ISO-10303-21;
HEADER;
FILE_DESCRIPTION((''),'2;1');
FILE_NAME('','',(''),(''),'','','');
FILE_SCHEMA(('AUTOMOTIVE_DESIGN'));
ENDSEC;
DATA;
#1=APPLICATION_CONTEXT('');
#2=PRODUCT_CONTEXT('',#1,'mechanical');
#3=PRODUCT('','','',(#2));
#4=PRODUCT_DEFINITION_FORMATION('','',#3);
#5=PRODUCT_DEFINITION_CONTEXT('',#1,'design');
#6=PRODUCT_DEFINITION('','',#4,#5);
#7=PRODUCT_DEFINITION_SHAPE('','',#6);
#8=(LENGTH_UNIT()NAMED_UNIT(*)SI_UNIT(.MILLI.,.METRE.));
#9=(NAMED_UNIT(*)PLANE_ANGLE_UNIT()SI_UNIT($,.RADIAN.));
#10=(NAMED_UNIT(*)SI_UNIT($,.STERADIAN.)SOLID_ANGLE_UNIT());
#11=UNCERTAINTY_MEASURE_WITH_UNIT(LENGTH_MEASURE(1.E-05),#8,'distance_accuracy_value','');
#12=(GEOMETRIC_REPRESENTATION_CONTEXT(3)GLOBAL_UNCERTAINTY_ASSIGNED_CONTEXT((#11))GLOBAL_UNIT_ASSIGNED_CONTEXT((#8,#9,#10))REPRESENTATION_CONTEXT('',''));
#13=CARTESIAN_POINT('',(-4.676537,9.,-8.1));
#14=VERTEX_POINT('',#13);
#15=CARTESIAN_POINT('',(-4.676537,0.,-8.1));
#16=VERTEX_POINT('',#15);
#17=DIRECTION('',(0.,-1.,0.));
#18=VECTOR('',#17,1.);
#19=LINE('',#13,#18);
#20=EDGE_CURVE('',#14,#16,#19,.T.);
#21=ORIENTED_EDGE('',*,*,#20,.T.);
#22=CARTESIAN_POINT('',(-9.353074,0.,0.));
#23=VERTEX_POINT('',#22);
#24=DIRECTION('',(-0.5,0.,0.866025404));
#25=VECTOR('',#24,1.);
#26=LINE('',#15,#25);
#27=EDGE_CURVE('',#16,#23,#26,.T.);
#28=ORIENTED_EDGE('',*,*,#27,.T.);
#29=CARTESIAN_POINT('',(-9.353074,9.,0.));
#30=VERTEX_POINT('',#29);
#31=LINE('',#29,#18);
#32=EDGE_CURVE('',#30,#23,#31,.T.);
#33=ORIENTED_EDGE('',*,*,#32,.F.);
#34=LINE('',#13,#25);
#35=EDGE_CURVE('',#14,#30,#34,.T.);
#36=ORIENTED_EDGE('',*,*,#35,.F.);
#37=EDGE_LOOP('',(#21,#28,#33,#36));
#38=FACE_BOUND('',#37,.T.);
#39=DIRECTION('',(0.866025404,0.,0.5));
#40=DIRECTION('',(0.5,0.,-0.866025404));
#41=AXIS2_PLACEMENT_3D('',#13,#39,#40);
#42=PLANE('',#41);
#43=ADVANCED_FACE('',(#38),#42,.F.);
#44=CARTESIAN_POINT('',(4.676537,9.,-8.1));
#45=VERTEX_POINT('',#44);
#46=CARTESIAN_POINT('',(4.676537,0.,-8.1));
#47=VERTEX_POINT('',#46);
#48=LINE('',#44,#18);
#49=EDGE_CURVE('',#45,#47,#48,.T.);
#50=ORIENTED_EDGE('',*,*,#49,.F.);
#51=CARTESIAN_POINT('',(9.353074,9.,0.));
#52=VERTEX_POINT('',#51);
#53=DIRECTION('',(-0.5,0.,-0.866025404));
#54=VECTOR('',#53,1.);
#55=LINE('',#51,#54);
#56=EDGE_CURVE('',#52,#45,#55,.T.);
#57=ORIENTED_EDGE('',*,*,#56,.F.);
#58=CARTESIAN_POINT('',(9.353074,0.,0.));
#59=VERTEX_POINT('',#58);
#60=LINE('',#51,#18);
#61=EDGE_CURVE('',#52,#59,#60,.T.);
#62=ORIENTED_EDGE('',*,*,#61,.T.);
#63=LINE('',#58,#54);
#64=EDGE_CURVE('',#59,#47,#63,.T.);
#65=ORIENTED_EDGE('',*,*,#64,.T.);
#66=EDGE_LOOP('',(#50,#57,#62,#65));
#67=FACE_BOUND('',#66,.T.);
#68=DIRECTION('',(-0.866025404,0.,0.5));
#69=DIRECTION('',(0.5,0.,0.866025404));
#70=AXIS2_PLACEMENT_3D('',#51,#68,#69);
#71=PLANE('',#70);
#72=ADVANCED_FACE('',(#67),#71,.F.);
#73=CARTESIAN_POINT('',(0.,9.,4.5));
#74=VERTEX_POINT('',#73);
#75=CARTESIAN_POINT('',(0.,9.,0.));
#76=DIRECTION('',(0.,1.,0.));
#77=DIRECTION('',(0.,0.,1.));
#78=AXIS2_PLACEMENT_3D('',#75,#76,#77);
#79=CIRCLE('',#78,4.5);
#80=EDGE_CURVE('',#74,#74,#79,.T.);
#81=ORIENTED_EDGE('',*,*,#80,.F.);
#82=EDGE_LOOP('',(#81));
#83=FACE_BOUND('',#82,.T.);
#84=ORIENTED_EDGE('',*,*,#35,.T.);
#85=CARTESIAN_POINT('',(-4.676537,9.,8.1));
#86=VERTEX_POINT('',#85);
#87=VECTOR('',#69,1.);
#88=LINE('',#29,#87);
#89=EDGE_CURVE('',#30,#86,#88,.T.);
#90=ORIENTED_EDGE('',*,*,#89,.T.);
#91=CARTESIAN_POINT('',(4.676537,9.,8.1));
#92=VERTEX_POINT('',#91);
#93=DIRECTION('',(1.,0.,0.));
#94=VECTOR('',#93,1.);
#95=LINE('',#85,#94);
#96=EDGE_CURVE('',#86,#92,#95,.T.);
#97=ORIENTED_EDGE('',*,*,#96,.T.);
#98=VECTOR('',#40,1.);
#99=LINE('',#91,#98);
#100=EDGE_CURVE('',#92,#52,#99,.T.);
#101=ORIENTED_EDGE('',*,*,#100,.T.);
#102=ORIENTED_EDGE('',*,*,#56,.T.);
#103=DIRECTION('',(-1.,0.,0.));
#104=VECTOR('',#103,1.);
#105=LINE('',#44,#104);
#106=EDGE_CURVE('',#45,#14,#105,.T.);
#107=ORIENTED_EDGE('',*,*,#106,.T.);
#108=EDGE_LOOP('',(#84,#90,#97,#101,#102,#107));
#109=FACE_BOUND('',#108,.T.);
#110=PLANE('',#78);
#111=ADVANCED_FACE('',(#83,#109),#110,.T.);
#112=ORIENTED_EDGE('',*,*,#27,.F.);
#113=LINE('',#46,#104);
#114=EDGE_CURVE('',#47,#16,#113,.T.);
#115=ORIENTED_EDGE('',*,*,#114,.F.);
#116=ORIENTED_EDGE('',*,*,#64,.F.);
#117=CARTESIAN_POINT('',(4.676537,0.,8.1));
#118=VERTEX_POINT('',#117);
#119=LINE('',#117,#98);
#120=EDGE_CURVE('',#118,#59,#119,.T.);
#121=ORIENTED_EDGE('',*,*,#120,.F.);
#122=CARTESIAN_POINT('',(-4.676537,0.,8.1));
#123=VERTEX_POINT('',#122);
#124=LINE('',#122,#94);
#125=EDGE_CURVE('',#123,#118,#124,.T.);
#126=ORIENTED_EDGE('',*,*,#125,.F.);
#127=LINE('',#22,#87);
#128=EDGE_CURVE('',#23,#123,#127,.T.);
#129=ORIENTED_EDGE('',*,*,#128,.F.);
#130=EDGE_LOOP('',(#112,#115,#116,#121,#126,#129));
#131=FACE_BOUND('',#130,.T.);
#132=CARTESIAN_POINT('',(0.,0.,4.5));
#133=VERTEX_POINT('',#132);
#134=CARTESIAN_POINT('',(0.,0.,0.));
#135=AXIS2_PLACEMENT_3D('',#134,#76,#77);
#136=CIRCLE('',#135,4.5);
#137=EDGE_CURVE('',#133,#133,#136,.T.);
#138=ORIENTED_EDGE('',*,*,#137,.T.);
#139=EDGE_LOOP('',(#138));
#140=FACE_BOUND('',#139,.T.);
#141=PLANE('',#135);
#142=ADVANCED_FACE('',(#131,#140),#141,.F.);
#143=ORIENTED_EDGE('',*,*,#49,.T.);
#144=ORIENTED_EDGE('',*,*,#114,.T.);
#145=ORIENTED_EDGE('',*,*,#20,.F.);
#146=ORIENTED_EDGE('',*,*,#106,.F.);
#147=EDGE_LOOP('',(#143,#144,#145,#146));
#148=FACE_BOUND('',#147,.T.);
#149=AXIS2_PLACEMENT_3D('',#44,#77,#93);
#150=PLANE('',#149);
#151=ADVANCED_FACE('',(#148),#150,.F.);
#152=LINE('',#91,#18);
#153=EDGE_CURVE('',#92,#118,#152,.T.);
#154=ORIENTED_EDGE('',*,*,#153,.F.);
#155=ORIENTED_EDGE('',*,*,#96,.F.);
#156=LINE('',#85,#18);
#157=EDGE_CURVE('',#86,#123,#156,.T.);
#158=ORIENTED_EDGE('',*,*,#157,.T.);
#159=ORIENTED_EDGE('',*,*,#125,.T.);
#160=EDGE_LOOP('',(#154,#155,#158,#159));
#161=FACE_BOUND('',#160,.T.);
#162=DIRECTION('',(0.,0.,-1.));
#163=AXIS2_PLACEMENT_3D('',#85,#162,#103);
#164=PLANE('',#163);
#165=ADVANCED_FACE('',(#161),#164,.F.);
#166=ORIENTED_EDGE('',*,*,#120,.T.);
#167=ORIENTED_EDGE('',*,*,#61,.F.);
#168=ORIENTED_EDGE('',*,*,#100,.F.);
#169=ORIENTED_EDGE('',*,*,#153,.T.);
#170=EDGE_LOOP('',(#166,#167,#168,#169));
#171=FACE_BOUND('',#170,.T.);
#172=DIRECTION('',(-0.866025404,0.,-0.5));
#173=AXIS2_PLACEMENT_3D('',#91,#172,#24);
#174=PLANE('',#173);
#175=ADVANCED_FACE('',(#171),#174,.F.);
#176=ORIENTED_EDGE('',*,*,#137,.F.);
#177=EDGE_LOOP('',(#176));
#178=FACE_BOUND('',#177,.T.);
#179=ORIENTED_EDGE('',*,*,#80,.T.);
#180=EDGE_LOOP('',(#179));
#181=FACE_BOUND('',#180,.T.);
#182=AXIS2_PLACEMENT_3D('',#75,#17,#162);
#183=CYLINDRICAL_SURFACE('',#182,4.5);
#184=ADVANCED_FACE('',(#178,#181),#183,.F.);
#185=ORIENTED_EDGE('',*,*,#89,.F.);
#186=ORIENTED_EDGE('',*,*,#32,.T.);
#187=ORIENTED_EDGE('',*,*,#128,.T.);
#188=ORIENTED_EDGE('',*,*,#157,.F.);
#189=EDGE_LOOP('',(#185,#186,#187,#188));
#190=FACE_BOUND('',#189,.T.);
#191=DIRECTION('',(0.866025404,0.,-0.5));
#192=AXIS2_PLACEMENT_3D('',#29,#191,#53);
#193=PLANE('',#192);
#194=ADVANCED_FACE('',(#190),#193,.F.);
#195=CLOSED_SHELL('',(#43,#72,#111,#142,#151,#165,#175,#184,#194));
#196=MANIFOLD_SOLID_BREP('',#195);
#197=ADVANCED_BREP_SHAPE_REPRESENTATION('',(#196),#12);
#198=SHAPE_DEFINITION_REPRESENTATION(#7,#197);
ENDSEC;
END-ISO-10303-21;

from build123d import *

# Parameters (mm, degrees)
SKETCH2_R           = 4.5
BOSS_EXTRUDE1_DEPTH = 9


with BuildPart() as part:
    # Sketch2 → Boss-Extrude1 (new body)
    with BuildSketch(Plane(origin=(0, 0, 0), x_dir=(1, 0, 0), z_dir=(0, 1, 0))):
        Polygon((4.67653718, 8.1), (-4.67653718, 8.1), (-9.353074361, 0), (-4.67653718, -8.1), (4.67653718, -8.1), (9.353074361, 0), align=None)
        with Locations(Location((0, 0, 0), (0, 0, 270))):  # turned: the seam where the file's is
            Circle(SKETCH2_R, mode=Mode.SUBTRACT)
    extrude(amount=BOSS_EXTRUDE1_DEPTH)


solid = part.part
